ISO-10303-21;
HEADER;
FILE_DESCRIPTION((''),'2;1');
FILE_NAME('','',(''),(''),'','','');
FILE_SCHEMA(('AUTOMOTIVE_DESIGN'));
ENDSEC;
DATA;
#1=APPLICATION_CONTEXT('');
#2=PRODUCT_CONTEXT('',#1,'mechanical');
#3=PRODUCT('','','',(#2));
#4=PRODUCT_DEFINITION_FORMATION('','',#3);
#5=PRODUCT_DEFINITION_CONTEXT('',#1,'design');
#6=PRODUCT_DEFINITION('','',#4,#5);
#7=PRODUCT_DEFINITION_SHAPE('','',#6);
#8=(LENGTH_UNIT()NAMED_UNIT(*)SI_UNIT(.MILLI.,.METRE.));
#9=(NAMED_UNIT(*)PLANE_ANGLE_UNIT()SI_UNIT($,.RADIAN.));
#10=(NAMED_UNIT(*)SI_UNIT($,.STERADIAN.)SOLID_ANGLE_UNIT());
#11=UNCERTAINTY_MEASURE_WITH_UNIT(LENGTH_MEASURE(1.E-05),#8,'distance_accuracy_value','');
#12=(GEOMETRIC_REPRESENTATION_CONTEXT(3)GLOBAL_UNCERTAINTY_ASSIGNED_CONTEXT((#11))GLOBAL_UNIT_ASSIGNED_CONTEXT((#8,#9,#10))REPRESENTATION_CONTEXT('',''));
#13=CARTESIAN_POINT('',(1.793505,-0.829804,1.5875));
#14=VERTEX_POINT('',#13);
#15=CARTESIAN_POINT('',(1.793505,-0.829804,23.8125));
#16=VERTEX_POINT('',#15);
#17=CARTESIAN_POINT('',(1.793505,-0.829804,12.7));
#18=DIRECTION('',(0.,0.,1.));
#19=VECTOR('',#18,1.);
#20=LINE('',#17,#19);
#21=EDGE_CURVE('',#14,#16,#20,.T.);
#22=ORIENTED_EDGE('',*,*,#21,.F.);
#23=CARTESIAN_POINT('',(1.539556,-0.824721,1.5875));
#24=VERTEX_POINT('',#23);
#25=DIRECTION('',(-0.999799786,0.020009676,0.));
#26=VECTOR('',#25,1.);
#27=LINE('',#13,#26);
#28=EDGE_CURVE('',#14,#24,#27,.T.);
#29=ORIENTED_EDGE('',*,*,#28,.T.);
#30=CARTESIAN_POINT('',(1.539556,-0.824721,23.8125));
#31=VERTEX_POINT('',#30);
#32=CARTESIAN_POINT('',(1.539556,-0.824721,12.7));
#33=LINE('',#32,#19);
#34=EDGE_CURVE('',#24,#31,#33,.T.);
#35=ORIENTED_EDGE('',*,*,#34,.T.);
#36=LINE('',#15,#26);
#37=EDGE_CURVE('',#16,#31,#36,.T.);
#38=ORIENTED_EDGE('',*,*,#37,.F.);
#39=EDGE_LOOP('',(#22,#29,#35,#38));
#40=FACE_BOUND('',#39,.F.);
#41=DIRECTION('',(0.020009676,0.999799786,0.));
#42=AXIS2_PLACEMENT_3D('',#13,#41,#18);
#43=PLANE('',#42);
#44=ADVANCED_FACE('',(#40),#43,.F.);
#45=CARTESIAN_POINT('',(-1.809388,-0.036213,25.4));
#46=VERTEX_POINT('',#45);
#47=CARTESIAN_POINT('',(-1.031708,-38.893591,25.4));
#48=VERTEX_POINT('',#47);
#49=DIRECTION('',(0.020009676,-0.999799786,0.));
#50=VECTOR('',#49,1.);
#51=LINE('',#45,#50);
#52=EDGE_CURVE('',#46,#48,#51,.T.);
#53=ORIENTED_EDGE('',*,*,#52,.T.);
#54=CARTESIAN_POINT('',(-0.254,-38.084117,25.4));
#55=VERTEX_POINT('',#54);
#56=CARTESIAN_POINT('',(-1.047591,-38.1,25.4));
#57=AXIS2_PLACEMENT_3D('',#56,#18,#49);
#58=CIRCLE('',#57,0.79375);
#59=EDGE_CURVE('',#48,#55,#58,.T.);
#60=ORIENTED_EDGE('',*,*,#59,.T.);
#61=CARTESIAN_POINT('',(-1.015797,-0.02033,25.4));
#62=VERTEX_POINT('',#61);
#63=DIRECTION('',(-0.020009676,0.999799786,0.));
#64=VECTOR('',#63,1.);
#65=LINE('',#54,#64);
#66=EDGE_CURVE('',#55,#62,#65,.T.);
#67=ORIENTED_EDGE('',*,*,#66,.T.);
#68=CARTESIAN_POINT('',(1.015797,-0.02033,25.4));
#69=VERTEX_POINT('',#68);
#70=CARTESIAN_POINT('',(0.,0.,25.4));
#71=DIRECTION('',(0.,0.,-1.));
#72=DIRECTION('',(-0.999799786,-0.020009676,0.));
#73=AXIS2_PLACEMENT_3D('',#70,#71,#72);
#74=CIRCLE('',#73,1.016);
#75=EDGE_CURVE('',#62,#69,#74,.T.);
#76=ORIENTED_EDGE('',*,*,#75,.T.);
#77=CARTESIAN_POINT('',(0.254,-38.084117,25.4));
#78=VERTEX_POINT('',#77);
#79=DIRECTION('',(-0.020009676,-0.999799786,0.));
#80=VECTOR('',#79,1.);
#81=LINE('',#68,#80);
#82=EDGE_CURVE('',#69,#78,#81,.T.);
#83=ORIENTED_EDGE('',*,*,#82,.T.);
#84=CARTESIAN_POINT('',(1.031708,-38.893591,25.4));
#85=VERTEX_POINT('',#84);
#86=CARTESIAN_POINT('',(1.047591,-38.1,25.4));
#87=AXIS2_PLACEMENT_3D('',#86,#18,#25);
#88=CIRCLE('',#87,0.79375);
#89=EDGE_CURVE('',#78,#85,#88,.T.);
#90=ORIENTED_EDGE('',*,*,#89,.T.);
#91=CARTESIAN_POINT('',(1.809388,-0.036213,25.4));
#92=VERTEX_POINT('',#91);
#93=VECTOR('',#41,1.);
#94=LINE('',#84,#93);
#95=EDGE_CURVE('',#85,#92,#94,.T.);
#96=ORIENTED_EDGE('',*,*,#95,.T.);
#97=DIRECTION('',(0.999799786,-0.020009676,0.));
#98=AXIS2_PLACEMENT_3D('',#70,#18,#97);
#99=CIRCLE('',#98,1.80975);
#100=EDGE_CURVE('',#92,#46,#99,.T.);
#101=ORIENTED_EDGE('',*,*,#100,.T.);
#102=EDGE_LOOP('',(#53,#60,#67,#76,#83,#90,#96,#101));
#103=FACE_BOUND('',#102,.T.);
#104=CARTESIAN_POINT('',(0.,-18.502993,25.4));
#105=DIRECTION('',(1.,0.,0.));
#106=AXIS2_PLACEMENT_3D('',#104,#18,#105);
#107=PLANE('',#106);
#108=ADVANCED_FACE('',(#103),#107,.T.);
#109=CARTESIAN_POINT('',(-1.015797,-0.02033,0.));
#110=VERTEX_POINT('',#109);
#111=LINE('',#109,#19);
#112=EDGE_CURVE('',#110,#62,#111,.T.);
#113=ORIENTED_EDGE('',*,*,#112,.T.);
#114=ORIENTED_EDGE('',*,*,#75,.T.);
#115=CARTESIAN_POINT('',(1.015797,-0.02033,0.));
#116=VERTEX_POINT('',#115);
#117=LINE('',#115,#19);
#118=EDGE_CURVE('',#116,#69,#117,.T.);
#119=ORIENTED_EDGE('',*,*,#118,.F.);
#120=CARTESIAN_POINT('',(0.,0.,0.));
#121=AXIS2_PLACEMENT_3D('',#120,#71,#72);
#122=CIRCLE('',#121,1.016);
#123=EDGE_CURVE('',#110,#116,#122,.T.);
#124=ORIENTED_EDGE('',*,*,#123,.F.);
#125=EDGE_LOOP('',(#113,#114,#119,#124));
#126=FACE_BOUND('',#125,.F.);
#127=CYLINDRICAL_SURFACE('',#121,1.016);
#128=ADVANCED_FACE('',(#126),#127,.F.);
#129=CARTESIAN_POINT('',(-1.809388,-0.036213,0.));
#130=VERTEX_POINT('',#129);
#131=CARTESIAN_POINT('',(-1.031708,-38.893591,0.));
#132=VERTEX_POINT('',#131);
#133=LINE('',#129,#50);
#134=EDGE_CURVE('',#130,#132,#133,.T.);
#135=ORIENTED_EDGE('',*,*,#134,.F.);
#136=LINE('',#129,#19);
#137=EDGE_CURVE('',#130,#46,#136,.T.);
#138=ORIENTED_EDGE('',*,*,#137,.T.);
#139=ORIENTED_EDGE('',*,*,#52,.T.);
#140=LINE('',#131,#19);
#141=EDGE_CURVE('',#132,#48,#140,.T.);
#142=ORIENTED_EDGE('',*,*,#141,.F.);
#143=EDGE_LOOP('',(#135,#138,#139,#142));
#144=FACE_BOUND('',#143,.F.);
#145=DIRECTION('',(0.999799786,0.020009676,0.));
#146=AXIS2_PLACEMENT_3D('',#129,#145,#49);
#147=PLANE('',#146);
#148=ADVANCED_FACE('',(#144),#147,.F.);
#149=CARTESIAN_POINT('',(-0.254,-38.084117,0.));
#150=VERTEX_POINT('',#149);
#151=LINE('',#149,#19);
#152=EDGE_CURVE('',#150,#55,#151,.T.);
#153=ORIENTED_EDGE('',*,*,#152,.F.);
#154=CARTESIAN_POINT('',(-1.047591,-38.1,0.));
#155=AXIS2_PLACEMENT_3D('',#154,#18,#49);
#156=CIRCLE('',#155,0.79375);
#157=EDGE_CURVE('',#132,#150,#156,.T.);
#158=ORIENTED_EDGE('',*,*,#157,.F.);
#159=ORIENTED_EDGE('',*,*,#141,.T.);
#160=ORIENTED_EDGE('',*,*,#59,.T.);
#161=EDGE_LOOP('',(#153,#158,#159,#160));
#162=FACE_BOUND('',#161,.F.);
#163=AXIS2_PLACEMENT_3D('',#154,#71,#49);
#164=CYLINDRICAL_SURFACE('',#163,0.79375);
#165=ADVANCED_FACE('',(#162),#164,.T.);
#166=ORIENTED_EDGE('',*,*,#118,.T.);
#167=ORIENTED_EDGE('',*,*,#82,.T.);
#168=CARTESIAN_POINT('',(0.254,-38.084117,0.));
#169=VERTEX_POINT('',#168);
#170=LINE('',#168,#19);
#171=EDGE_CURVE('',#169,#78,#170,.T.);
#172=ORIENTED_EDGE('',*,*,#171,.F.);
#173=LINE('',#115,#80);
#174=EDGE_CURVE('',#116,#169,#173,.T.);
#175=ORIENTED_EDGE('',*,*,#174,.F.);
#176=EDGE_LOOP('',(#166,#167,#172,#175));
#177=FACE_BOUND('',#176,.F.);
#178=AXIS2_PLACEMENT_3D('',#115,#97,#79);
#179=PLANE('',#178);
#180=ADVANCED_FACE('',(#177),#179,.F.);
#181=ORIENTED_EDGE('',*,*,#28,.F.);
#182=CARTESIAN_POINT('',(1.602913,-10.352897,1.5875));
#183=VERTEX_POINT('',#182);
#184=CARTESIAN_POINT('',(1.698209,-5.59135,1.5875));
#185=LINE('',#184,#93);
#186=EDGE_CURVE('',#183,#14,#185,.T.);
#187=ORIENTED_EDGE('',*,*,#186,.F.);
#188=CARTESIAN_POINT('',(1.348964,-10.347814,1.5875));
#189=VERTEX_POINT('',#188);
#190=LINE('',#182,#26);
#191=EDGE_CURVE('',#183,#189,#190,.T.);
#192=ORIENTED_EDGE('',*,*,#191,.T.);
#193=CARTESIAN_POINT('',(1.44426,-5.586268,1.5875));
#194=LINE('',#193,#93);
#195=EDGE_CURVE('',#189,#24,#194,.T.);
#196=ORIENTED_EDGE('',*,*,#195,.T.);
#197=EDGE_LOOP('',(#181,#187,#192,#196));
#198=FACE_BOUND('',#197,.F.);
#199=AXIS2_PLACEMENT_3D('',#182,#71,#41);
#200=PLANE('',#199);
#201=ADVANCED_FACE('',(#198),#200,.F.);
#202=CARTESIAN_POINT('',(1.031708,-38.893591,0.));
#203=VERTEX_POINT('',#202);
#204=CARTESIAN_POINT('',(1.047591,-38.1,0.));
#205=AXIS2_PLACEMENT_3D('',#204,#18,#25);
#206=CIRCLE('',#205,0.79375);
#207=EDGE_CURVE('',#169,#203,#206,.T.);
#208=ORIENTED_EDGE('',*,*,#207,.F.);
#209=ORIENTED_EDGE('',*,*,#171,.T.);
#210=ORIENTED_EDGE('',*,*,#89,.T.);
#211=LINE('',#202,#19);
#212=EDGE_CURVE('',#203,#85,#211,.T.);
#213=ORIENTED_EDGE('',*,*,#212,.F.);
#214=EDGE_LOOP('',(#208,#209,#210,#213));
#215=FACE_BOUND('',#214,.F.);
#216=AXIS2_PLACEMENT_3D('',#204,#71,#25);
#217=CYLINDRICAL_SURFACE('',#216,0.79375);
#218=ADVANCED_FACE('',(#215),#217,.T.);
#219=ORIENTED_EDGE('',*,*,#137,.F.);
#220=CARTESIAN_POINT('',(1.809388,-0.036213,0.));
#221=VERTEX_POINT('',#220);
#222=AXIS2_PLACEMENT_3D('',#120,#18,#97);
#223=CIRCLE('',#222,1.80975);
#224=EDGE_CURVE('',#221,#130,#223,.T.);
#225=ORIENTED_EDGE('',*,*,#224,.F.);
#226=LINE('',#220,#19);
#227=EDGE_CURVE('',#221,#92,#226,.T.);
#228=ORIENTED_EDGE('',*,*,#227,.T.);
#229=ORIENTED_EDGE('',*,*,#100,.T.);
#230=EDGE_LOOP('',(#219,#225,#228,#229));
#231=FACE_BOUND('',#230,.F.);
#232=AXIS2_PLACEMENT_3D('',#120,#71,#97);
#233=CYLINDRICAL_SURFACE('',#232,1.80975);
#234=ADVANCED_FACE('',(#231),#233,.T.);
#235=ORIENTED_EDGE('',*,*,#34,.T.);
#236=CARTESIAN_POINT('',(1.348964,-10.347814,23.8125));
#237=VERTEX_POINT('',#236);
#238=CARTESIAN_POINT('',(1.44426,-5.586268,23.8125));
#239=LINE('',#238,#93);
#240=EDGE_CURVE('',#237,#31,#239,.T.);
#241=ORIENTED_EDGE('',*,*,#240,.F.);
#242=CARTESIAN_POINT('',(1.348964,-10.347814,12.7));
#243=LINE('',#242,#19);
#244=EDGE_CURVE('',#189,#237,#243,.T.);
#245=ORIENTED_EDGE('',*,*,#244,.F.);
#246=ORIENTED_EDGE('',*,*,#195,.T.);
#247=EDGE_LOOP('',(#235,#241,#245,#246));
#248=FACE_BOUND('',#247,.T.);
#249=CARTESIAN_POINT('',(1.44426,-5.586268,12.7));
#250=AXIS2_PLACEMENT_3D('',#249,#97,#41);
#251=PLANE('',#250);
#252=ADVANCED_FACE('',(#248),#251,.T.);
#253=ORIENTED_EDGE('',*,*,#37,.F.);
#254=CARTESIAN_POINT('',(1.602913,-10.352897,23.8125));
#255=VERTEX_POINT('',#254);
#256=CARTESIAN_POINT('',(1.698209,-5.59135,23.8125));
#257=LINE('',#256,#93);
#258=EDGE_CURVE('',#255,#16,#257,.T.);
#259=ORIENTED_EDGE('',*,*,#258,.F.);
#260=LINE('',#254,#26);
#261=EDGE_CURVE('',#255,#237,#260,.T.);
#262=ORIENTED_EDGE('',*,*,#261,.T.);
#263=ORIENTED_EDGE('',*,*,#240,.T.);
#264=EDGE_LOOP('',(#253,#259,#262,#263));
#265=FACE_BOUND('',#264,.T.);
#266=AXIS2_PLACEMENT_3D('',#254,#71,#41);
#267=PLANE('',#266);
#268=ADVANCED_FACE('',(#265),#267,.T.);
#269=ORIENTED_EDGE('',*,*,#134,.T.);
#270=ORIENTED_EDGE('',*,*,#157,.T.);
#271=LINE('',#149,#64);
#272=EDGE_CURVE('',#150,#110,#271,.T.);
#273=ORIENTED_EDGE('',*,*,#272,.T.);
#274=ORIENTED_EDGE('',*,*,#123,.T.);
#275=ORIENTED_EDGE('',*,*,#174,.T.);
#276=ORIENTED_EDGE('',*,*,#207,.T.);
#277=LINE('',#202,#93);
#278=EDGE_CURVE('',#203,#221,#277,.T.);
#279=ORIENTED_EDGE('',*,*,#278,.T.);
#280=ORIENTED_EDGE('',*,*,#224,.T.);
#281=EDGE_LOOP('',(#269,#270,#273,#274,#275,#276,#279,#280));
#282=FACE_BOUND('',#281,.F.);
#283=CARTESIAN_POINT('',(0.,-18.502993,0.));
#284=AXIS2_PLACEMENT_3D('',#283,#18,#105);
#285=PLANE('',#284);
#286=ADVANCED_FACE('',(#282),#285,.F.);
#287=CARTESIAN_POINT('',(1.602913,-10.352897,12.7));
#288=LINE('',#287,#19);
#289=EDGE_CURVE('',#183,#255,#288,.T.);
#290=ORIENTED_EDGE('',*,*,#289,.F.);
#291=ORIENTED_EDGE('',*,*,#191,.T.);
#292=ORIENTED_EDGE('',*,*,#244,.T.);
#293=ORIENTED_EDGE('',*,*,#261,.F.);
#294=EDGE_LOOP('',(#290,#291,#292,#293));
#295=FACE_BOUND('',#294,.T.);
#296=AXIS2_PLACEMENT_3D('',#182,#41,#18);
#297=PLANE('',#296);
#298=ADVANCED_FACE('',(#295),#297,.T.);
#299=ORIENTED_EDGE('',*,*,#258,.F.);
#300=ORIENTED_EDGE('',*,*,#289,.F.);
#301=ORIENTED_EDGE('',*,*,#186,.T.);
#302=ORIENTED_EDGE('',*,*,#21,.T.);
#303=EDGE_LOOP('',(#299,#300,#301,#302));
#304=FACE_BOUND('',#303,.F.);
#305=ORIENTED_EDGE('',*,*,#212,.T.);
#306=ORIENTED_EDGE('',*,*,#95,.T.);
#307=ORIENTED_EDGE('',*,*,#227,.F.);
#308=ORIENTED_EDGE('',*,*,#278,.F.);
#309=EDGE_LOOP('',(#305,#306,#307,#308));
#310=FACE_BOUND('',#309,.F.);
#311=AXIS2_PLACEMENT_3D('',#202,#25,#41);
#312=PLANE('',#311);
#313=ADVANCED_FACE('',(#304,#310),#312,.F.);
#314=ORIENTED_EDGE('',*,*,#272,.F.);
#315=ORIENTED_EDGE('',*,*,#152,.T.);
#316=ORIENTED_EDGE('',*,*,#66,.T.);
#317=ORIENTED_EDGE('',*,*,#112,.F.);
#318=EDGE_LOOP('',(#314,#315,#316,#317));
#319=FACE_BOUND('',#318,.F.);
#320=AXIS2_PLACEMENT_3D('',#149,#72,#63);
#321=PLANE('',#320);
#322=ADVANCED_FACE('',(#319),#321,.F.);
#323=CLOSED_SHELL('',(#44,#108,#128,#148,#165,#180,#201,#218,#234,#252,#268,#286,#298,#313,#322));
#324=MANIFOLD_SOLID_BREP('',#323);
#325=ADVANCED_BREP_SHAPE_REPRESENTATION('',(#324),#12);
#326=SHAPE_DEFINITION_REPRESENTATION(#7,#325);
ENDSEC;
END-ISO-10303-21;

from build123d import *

# Parameters (mm, degrees)
F1_DEPTH = 25.4
F2_W     = 9.525
F2_H     = 22.225
F3_DEPTH = 0.254


with BuildPart() as f1:
    # F0 (on Top) → F1 (new body)
    with BuildSketch(Plane.XY):
        with BuildLine():
            ThreePointArc((-1.015796583, -0.020329831), (0, 1.016), (1.015796583, -0.020329831))
            Line((1.015796583, -0.020329831), (0.254, -38.0841173196))
            ThreePointArc((0.254, -38.0841173196), (0.4752066949, -38.6499228834), (1.0317084, -38.8935910804))
            Line((1.0317084, -38.8935910804), (1.8093876634, -0.0362125114))
            ThreePointArc((1.8093876634, -0.0362125114), (0, 1.80975), (-1.8093876634, -0.0362125114))
            Line((-1.8093876634, -0.0362125114), (-1.0317084, -38.8935910804))
            ThreePointArc((-1.0317084, -38.8935910804), (-0.4752066949, -38.6499228834), (-0.254, -38.0841173196))
            Line((-0.254, -38.0841173196), (-1.015796583, -0.020329831))
        make_face()
    extrude(amount=F1_DEPTH)

    # F2 (on face) → F3 (cut)
    with BuildSketch(Plane(origin=(1.8093876634, -0.0362125114, 0), x_dir=(0.0200096762, 0.9997997864, 0), z_dir=(0.9997997864, -0.0200096762, 0))):
        with Locations((-5.55625, 12.7)):
            Rectangle(F2_W, F2_H)
    extrude(amount=-F3_DEPTH, mode=Mode.SUBTRACT)


solid = f1.part
